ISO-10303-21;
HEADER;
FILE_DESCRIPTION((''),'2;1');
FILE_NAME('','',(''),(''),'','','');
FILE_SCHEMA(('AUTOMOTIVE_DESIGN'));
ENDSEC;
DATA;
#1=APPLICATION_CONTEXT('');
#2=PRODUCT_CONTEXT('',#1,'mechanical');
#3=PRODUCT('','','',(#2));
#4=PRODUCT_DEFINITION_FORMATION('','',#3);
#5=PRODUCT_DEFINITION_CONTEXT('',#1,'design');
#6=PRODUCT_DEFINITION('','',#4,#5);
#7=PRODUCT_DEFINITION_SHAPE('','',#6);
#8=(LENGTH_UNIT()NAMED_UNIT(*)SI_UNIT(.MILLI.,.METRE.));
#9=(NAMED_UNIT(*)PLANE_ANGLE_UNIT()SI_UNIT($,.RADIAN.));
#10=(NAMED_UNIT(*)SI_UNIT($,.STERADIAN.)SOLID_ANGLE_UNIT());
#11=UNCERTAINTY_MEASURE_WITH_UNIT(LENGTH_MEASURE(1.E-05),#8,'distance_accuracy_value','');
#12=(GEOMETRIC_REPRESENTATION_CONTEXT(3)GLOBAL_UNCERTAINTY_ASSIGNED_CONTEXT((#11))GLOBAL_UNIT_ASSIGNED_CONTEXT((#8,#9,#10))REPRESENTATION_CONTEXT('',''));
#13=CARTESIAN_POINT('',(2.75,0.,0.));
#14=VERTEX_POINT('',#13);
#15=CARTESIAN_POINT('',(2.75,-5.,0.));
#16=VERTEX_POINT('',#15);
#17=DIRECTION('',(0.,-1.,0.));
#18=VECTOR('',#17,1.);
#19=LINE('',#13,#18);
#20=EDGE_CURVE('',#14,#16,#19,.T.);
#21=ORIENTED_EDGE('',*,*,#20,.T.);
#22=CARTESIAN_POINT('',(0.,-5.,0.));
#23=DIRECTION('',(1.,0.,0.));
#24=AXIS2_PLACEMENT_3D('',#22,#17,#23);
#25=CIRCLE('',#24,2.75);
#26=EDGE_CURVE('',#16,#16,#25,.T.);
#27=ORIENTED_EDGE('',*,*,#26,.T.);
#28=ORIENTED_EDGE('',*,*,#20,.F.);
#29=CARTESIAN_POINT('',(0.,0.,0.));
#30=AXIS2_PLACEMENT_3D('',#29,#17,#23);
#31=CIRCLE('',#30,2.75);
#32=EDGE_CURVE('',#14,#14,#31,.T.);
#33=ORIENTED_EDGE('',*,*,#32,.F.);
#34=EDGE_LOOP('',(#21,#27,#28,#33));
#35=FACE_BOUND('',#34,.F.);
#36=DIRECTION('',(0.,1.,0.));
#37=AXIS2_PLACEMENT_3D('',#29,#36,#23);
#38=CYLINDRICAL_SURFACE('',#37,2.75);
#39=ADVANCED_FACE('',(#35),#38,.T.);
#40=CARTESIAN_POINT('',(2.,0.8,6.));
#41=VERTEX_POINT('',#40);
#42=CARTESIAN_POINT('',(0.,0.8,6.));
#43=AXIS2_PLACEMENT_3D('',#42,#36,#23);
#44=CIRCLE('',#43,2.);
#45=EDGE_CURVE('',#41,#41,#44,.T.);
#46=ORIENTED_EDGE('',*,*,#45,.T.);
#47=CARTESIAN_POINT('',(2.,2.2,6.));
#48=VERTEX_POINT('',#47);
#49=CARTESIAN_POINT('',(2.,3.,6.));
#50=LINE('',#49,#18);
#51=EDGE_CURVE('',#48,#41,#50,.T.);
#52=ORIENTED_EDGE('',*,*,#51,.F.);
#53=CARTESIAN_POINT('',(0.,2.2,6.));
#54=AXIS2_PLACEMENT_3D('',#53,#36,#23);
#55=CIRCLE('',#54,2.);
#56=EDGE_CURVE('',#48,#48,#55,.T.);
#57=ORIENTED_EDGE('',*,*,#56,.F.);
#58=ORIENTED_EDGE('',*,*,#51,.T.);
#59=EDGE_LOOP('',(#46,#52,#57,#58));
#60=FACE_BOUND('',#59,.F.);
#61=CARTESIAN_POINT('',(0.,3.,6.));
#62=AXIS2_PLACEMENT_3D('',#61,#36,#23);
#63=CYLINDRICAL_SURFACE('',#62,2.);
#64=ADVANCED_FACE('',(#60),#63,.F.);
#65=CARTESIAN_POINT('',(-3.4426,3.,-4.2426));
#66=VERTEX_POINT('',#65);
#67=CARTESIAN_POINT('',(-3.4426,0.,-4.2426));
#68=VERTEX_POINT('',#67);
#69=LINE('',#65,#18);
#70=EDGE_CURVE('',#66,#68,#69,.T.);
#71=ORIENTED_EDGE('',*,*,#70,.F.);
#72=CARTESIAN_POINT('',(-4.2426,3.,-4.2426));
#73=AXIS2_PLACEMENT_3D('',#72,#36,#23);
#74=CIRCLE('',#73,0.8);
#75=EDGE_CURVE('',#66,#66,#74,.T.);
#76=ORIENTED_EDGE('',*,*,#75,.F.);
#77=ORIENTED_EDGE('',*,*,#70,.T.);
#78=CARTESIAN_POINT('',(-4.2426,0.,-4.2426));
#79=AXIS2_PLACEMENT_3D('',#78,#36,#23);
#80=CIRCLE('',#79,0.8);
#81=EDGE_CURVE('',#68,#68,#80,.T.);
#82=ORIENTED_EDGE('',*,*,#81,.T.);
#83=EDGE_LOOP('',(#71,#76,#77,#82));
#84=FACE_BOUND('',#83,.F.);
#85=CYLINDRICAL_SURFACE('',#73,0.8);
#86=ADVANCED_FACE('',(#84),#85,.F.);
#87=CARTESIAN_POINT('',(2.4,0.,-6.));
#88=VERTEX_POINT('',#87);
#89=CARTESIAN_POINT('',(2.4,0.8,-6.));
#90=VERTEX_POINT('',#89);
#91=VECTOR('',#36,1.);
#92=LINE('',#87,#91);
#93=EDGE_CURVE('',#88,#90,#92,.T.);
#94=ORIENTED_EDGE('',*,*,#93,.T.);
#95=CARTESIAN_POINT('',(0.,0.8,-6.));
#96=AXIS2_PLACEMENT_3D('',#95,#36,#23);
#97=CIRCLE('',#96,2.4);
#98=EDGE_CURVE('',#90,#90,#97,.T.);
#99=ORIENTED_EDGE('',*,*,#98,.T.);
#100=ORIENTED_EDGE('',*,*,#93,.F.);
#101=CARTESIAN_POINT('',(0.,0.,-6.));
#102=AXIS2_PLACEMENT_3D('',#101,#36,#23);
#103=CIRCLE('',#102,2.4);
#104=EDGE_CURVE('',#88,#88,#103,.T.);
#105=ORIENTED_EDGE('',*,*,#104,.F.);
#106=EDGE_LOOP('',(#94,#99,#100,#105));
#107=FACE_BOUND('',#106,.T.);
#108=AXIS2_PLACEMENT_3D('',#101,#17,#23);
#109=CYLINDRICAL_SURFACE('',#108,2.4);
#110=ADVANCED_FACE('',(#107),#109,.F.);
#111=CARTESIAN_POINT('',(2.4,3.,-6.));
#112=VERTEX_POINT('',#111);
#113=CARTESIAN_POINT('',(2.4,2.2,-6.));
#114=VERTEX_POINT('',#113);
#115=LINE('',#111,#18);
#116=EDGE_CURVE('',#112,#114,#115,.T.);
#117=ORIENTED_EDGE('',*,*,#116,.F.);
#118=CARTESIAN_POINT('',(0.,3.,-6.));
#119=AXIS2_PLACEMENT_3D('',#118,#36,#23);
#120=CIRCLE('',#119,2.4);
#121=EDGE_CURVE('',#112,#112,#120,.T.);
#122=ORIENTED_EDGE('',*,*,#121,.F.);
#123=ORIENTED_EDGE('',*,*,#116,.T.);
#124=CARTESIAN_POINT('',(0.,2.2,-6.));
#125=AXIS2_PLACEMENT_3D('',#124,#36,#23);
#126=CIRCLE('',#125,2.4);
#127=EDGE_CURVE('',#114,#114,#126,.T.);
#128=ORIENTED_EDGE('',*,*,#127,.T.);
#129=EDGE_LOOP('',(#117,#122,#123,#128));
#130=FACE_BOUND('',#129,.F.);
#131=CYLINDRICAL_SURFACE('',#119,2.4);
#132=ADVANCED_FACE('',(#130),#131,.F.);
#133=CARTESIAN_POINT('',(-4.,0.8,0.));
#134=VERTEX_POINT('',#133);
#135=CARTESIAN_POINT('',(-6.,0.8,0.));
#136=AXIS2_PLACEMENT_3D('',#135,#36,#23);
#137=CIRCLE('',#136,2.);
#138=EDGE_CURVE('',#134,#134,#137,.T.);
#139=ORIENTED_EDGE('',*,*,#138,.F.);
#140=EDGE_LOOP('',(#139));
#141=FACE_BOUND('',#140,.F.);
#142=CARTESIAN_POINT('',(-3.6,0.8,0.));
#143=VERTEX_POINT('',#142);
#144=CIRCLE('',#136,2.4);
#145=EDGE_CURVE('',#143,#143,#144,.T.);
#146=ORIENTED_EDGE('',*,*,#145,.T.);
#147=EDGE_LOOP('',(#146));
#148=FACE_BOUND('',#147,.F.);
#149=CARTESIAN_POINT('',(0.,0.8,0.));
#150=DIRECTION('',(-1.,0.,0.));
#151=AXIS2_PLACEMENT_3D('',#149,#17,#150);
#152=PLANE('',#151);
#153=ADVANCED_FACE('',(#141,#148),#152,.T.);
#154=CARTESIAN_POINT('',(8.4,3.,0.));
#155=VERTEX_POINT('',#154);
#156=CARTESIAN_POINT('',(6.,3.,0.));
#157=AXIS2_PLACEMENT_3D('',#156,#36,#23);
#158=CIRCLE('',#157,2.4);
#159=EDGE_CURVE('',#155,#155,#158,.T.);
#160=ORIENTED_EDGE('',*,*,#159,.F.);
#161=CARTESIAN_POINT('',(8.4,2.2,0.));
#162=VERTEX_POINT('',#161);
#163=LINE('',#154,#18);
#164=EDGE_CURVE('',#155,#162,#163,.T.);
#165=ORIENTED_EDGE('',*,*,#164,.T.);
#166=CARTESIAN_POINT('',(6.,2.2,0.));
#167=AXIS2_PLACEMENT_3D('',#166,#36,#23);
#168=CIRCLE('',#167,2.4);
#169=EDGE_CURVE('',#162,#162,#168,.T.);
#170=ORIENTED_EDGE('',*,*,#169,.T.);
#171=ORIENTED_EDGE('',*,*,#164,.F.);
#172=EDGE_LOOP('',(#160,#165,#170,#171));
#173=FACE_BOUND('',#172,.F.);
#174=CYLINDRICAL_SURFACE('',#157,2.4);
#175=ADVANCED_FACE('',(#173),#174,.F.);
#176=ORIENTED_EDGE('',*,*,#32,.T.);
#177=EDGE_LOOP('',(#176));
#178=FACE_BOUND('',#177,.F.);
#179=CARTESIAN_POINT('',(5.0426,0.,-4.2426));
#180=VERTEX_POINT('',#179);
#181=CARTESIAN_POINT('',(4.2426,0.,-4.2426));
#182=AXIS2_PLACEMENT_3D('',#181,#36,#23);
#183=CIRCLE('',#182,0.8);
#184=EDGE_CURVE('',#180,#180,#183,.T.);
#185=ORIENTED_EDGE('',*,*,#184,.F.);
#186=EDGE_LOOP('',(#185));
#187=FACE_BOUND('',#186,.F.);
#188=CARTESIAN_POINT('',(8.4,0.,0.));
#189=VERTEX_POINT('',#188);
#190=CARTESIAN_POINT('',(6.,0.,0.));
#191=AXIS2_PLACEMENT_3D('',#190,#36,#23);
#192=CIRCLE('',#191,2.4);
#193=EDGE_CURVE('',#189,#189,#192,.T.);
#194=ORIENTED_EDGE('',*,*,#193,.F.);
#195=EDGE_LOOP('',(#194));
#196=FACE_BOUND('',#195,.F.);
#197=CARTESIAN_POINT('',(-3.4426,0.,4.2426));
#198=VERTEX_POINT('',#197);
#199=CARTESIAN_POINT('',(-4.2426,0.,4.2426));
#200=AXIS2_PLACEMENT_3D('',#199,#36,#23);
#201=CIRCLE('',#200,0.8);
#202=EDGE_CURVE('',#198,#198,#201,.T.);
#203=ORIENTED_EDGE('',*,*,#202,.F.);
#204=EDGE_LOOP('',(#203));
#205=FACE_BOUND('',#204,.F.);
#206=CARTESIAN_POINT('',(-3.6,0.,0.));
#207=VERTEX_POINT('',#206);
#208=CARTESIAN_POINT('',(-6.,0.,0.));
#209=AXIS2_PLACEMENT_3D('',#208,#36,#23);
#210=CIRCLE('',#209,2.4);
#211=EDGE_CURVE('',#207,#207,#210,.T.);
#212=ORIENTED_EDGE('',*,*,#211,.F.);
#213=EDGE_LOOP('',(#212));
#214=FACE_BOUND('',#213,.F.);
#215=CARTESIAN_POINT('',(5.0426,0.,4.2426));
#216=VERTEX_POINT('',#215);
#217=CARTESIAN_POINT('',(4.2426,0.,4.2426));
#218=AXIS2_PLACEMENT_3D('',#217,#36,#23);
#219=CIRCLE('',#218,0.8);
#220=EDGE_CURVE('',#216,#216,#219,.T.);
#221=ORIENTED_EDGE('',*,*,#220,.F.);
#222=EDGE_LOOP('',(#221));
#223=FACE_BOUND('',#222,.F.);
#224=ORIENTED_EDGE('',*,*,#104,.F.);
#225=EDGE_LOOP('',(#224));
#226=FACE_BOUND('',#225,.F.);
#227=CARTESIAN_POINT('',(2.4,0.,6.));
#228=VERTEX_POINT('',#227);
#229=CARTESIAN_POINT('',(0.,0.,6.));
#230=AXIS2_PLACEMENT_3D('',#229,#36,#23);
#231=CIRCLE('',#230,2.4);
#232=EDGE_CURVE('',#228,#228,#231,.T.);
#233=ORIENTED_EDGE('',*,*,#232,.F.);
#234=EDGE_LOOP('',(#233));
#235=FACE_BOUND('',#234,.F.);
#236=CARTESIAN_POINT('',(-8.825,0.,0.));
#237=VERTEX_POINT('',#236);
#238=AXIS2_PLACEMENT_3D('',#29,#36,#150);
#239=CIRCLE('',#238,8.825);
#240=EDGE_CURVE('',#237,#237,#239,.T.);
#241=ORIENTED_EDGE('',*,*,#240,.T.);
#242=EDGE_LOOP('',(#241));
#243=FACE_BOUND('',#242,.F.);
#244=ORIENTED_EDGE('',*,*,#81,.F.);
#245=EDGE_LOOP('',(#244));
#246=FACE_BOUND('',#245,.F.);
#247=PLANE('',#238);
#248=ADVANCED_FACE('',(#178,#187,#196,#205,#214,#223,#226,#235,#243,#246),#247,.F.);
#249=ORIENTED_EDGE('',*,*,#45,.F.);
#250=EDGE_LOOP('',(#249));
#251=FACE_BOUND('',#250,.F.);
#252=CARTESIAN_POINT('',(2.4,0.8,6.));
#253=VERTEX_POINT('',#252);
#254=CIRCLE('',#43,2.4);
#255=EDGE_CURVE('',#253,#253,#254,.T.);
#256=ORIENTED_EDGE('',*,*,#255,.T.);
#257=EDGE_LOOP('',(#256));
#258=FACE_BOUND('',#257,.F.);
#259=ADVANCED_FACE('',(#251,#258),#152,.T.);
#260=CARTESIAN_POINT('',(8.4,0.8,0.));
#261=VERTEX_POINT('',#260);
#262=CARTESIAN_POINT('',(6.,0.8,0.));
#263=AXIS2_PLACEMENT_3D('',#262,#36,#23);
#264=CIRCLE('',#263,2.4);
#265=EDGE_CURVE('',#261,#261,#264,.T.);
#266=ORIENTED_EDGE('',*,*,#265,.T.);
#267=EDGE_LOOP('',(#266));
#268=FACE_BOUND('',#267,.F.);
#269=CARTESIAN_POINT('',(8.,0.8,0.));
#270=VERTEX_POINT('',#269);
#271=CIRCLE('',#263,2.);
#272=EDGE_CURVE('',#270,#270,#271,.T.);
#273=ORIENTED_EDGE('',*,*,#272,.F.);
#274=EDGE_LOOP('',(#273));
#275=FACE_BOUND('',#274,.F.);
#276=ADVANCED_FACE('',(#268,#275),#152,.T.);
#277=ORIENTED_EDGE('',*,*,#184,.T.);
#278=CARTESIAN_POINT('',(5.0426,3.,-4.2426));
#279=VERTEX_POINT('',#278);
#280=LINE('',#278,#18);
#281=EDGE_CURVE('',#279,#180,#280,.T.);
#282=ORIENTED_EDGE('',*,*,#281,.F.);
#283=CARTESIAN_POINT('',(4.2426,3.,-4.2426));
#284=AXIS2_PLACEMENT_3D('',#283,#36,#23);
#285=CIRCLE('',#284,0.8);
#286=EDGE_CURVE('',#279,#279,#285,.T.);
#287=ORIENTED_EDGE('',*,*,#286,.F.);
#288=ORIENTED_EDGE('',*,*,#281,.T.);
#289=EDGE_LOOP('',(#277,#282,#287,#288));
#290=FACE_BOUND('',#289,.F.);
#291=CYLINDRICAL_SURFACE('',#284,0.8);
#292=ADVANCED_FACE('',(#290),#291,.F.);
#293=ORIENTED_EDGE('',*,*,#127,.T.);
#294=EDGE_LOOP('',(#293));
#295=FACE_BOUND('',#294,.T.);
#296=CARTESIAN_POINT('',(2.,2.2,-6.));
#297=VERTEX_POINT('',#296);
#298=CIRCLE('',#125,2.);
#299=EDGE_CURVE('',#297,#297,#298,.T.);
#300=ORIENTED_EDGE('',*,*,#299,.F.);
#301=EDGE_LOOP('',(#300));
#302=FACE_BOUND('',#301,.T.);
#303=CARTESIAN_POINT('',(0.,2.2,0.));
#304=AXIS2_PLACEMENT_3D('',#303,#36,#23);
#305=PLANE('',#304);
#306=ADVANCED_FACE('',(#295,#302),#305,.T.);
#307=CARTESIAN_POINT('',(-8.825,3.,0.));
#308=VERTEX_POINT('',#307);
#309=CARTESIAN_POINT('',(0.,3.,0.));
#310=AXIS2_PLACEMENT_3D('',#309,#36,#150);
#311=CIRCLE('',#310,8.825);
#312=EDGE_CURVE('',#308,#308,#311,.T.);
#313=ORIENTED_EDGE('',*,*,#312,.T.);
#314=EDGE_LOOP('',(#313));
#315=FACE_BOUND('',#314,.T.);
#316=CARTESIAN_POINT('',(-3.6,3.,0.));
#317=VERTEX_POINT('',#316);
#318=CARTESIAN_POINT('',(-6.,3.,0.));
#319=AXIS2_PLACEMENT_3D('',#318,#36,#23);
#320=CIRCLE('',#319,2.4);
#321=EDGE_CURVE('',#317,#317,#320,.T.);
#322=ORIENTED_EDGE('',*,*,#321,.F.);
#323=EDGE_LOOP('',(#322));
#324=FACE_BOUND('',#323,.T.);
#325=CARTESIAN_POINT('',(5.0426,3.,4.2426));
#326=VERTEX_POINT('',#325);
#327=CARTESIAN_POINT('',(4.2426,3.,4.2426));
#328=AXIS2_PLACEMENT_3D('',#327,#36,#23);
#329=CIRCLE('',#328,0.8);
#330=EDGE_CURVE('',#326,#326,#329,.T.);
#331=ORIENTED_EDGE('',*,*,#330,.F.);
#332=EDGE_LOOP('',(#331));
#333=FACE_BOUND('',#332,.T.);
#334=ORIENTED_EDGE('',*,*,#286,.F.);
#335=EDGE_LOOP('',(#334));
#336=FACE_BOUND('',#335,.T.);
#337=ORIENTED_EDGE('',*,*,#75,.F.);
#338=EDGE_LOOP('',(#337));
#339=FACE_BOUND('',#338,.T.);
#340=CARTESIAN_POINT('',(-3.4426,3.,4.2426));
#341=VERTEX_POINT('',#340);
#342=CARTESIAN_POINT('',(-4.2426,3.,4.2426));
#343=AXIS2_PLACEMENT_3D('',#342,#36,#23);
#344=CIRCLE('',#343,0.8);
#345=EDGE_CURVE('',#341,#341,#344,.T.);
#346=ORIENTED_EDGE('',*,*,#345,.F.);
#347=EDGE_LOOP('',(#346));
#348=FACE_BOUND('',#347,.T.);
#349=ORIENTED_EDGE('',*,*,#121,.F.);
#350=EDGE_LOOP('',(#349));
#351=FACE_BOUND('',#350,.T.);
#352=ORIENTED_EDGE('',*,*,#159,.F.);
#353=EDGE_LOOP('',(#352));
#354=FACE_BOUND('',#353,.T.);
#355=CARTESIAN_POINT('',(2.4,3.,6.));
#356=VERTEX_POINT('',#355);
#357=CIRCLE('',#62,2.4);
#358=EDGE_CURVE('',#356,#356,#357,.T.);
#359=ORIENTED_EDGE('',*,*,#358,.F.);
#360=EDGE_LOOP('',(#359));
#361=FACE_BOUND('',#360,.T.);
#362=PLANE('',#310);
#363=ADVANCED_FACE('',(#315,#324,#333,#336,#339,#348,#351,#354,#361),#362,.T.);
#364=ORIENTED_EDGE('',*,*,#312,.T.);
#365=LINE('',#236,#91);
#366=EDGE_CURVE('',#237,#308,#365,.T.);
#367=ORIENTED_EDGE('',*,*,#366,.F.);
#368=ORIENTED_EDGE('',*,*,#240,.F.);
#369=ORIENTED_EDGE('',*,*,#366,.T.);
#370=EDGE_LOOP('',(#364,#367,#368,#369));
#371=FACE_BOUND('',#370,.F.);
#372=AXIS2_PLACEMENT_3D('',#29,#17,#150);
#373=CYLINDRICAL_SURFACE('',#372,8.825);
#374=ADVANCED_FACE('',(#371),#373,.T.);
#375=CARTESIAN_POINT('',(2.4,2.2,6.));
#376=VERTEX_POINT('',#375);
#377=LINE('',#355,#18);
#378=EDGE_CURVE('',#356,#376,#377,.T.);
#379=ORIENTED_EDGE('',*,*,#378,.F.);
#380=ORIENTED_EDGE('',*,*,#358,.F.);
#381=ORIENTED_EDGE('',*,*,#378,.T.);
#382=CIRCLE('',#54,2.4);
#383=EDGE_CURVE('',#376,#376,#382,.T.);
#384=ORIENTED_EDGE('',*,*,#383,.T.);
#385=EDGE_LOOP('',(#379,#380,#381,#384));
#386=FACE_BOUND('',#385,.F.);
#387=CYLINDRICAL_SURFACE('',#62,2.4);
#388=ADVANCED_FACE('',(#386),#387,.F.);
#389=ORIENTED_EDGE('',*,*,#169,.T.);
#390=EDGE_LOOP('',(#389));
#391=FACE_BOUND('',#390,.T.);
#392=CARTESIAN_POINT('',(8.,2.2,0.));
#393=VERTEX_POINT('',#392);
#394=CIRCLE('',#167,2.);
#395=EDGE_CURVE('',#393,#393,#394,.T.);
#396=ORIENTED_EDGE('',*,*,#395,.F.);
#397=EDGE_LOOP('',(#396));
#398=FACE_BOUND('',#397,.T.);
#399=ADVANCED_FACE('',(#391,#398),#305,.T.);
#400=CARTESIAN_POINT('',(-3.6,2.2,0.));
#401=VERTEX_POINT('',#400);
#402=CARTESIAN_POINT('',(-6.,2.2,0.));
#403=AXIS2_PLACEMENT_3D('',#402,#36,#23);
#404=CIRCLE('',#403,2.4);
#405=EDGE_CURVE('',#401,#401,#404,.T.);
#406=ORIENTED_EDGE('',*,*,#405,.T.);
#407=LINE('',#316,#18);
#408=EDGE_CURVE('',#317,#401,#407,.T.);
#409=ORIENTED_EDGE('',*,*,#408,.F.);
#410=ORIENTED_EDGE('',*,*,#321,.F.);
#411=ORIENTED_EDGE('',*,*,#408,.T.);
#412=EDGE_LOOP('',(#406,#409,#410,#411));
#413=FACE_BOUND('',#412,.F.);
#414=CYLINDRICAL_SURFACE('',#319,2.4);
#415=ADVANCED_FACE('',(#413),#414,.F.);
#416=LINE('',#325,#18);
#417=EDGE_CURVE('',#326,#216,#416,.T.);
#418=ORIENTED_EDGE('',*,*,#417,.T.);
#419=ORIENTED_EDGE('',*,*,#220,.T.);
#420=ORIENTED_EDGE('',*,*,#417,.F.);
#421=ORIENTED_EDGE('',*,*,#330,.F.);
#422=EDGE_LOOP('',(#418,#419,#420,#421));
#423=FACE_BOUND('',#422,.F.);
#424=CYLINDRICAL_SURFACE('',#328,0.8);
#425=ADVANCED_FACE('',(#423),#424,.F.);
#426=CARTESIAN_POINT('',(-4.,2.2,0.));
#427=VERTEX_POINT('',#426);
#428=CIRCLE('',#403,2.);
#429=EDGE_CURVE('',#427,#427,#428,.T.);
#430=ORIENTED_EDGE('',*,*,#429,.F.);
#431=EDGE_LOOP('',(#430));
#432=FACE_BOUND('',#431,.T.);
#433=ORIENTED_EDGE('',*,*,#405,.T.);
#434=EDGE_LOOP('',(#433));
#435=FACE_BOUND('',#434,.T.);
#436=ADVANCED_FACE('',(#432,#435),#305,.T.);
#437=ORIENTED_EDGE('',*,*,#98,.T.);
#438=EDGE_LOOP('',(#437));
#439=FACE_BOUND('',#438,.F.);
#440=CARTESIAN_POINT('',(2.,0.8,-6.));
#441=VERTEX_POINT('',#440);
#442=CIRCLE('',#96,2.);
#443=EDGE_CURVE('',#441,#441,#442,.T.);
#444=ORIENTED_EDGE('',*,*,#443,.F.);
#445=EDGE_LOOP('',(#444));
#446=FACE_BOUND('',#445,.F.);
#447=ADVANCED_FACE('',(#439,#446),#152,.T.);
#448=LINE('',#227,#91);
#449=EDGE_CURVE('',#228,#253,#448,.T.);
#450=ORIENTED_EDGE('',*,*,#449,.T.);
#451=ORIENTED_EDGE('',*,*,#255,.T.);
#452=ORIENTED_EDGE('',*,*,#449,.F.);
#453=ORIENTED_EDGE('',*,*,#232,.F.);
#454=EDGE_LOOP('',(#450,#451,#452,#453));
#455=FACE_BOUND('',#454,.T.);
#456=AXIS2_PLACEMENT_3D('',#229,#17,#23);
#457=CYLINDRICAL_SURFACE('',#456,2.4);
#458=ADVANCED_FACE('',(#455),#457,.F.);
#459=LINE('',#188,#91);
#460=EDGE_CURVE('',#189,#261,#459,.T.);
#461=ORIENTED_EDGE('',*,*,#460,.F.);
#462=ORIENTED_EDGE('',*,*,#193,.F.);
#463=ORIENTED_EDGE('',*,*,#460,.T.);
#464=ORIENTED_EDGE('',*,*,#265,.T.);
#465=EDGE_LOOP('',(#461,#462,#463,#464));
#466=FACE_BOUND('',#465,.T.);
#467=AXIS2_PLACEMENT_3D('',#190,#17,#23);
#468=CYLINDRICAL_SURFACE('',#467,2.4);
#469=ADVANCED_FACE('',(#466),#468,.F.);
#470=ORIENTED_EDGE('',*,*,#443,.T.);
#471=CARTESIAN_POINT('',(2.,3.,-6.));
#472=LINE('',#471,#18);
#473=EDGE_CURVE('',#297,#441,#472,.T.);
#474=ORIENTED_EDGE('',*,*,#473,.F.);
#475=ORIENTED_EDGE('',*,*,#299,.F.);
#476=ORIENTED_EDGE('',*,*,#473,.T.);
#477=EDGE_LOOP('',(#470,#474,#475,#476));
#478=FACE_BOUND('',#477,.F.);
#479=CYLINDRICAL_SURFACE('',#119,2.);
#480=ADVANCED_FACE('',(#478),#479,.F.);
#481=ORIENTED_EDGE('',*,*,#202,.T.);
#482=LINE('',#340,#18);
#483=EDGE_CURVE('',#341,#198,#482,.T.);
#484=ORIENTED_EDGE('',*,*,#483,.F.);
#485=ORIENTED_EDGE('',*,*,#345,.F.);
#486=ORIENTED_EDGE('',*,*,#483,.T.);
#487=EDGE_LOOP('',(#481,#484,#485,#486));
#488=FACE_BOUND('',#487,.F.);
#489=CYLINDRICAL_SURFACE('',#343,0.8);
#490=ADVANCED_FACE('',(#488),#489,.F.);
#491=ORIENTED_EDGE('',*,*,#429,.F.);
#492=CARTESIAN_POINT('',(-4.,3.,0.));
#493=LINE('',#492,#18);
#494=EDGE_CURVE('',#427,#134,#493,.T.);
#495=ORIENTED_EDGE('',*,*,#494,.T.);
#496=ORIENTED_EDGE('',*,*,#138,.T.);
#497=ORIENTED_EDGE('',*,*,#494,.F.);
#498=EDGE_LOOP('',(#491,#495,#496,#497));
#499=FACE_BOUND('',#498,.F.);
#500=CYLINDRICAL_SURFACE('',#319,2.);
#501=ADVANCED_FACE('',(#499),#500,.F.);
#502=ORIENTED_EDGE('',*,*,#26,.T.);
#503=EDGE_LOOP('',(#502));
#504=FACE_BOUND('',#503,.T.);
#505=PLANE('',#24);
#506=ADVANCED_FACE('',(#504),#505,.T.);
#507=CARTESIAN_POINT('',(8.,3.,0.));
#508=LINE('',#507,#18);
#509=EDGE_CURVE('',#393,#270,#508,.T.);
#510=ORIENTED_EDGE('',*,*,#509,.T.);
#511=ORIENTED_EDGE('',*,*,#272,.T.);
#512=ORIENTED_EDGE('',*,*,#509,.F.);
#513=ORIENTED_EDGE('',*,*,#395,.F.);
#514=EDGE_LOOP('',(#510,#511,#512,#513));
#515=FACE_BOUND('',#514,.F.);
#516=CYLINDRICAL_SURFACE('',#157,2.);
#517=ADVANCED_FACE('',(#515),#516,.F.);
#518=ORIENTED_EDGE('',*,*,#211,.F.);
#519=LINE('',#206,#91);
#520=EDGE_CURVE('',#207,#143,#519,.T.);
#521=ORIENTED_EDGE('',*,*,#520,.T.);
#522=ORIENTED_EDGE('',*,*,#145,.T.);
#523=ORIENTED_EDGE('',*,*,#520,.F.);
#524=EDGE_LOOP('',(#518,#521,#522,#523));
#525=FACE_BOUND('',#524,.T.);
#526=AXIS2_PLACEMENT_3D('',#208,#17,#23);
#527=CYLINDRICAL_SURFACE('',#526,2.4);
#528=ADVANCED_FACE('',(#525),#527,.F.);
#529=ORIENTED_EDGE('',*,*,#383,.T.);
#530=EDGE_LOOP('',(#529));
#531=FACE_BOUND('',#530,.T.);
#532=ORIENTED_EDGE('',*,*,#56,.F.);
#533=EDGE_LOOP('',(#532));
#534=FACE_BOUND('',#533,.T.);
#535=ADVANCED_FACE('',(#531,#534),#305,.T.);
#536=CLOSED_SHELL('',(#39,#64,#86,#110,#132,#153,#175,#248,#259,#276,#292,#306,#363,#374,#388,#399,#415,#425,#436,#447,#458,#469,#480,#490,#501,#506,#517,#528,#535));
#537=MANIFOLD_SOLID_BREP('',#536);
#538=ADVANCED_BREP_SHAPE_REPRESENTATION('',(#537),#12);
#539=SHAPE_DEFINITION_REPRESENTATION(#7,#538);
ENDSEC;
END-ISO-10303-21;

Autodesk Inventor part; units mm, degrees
ref_plane "YZ Plane" through (0, 0, 0) normal (1, 0, 0) x (0, 1, 0)
ref_plane "XZ Plane" through (0, 0, 0) normal (0, 1, 0) x (-1, 0, 0)
sketch "Sketch1" plane through (0, 0, 0) normal (0, 1, 0) x (-1, 0, 0)
  circle A0 centre (0, 0) radius 8.825
  dimension "d0" = 17.65
extrude "Extrusion1" add sketch "Sketch1" along normal blind 3
sketch "Sketch2" plane through (0, 0, 0) normal (0, -1, 0) x (1, 0, 0)
  circle A0 centre (0, 0) radius 8.825 projected
  circle A1 centre (0, 0) radius 2.75
  dimension "d3" = 5.5
extrude "Extrusion2" add sketch "Sketch2" along normal blind 5 contours A1
sketch "Sketch3" plane through (0, 3, 0) normal (0, 1, 0) x (1, 0, 0)
  circle A0 centre (0, 0) radius 8.825 projected
  circle A1 centre (-6, 0) radius 2
  line L0 (-6, 0) -> (5.0545, 0) construction
  circle A2 centre (0, -6) radius 2
  circle A3 centre (6, 0) radius 2
  circle A4 centre (0, 6) radius 2
  circle A5 centre (-4.2426, 4.2426) radius 0.8
  line L1 (0, 0) -> (-4.2426, 4.2426) construction
  circle A6 centre (0, 0) radius 2.75 projected
  arc A7 (0, 6) -> (-6, 0) centre (0, 0) ccw construction
  circle A8 centre (-4.2426, -4.2426) radius 0.8
  circle A9 centre (4.2426, -4.2426) radius 0.8
  circle A10 centre (4.2426, 4.2426) radius 0.8
  dimension "d6" = 4
  dimension "d7" = 6
  dimension "d10" = 360
  dimension "d14" = 1.6
  dimension "d15" = 45
  dimension "d18" = 360
extrude "Extrusion3" cut sketch "Sketch3" against normal through all contours A1 | A2 | A3 | A4 | A5 | A8 | A9 | A10
sketch "Sketch4" plane through (0, 3, 0) normal (0, 1, 0) x (1, 0, 0)
  circle A0 centre (6, 0) radius 2 projected
  circle A1 centre (-6, 0) radius 2 projected
  circle A2 centre (0, -6) radius 2 projected
  circle A3 centre (0, 6) radius 2 projected
  circle A4 centre (0, 6) radius 2.4
  circle A5 centre (-6, 0) radius 2.4
  circle A6 centre (6, 0) radius 2.4
  circle A7 centre (0, -6) radius 2.4
  dimension "d20" = 0.4
  dimension "d21" = 0.4
  dimension "d22" = 0.4
  dimension "d23" = 0.4
extrude "Extrusion4" cut sketch "Sketch4" against normal blind 0.8
ref_plane "Work Plane1" through (0, 1.5, 0) normal (0, 1, 0) x (1, 0, 0)
mirror "Mirror1" about plane through (0, 1.5, 0) normal (0, 1, 0) of "Extrusion4"
properties part number "xl320_wheel" material "PC/ABS Plastic"
